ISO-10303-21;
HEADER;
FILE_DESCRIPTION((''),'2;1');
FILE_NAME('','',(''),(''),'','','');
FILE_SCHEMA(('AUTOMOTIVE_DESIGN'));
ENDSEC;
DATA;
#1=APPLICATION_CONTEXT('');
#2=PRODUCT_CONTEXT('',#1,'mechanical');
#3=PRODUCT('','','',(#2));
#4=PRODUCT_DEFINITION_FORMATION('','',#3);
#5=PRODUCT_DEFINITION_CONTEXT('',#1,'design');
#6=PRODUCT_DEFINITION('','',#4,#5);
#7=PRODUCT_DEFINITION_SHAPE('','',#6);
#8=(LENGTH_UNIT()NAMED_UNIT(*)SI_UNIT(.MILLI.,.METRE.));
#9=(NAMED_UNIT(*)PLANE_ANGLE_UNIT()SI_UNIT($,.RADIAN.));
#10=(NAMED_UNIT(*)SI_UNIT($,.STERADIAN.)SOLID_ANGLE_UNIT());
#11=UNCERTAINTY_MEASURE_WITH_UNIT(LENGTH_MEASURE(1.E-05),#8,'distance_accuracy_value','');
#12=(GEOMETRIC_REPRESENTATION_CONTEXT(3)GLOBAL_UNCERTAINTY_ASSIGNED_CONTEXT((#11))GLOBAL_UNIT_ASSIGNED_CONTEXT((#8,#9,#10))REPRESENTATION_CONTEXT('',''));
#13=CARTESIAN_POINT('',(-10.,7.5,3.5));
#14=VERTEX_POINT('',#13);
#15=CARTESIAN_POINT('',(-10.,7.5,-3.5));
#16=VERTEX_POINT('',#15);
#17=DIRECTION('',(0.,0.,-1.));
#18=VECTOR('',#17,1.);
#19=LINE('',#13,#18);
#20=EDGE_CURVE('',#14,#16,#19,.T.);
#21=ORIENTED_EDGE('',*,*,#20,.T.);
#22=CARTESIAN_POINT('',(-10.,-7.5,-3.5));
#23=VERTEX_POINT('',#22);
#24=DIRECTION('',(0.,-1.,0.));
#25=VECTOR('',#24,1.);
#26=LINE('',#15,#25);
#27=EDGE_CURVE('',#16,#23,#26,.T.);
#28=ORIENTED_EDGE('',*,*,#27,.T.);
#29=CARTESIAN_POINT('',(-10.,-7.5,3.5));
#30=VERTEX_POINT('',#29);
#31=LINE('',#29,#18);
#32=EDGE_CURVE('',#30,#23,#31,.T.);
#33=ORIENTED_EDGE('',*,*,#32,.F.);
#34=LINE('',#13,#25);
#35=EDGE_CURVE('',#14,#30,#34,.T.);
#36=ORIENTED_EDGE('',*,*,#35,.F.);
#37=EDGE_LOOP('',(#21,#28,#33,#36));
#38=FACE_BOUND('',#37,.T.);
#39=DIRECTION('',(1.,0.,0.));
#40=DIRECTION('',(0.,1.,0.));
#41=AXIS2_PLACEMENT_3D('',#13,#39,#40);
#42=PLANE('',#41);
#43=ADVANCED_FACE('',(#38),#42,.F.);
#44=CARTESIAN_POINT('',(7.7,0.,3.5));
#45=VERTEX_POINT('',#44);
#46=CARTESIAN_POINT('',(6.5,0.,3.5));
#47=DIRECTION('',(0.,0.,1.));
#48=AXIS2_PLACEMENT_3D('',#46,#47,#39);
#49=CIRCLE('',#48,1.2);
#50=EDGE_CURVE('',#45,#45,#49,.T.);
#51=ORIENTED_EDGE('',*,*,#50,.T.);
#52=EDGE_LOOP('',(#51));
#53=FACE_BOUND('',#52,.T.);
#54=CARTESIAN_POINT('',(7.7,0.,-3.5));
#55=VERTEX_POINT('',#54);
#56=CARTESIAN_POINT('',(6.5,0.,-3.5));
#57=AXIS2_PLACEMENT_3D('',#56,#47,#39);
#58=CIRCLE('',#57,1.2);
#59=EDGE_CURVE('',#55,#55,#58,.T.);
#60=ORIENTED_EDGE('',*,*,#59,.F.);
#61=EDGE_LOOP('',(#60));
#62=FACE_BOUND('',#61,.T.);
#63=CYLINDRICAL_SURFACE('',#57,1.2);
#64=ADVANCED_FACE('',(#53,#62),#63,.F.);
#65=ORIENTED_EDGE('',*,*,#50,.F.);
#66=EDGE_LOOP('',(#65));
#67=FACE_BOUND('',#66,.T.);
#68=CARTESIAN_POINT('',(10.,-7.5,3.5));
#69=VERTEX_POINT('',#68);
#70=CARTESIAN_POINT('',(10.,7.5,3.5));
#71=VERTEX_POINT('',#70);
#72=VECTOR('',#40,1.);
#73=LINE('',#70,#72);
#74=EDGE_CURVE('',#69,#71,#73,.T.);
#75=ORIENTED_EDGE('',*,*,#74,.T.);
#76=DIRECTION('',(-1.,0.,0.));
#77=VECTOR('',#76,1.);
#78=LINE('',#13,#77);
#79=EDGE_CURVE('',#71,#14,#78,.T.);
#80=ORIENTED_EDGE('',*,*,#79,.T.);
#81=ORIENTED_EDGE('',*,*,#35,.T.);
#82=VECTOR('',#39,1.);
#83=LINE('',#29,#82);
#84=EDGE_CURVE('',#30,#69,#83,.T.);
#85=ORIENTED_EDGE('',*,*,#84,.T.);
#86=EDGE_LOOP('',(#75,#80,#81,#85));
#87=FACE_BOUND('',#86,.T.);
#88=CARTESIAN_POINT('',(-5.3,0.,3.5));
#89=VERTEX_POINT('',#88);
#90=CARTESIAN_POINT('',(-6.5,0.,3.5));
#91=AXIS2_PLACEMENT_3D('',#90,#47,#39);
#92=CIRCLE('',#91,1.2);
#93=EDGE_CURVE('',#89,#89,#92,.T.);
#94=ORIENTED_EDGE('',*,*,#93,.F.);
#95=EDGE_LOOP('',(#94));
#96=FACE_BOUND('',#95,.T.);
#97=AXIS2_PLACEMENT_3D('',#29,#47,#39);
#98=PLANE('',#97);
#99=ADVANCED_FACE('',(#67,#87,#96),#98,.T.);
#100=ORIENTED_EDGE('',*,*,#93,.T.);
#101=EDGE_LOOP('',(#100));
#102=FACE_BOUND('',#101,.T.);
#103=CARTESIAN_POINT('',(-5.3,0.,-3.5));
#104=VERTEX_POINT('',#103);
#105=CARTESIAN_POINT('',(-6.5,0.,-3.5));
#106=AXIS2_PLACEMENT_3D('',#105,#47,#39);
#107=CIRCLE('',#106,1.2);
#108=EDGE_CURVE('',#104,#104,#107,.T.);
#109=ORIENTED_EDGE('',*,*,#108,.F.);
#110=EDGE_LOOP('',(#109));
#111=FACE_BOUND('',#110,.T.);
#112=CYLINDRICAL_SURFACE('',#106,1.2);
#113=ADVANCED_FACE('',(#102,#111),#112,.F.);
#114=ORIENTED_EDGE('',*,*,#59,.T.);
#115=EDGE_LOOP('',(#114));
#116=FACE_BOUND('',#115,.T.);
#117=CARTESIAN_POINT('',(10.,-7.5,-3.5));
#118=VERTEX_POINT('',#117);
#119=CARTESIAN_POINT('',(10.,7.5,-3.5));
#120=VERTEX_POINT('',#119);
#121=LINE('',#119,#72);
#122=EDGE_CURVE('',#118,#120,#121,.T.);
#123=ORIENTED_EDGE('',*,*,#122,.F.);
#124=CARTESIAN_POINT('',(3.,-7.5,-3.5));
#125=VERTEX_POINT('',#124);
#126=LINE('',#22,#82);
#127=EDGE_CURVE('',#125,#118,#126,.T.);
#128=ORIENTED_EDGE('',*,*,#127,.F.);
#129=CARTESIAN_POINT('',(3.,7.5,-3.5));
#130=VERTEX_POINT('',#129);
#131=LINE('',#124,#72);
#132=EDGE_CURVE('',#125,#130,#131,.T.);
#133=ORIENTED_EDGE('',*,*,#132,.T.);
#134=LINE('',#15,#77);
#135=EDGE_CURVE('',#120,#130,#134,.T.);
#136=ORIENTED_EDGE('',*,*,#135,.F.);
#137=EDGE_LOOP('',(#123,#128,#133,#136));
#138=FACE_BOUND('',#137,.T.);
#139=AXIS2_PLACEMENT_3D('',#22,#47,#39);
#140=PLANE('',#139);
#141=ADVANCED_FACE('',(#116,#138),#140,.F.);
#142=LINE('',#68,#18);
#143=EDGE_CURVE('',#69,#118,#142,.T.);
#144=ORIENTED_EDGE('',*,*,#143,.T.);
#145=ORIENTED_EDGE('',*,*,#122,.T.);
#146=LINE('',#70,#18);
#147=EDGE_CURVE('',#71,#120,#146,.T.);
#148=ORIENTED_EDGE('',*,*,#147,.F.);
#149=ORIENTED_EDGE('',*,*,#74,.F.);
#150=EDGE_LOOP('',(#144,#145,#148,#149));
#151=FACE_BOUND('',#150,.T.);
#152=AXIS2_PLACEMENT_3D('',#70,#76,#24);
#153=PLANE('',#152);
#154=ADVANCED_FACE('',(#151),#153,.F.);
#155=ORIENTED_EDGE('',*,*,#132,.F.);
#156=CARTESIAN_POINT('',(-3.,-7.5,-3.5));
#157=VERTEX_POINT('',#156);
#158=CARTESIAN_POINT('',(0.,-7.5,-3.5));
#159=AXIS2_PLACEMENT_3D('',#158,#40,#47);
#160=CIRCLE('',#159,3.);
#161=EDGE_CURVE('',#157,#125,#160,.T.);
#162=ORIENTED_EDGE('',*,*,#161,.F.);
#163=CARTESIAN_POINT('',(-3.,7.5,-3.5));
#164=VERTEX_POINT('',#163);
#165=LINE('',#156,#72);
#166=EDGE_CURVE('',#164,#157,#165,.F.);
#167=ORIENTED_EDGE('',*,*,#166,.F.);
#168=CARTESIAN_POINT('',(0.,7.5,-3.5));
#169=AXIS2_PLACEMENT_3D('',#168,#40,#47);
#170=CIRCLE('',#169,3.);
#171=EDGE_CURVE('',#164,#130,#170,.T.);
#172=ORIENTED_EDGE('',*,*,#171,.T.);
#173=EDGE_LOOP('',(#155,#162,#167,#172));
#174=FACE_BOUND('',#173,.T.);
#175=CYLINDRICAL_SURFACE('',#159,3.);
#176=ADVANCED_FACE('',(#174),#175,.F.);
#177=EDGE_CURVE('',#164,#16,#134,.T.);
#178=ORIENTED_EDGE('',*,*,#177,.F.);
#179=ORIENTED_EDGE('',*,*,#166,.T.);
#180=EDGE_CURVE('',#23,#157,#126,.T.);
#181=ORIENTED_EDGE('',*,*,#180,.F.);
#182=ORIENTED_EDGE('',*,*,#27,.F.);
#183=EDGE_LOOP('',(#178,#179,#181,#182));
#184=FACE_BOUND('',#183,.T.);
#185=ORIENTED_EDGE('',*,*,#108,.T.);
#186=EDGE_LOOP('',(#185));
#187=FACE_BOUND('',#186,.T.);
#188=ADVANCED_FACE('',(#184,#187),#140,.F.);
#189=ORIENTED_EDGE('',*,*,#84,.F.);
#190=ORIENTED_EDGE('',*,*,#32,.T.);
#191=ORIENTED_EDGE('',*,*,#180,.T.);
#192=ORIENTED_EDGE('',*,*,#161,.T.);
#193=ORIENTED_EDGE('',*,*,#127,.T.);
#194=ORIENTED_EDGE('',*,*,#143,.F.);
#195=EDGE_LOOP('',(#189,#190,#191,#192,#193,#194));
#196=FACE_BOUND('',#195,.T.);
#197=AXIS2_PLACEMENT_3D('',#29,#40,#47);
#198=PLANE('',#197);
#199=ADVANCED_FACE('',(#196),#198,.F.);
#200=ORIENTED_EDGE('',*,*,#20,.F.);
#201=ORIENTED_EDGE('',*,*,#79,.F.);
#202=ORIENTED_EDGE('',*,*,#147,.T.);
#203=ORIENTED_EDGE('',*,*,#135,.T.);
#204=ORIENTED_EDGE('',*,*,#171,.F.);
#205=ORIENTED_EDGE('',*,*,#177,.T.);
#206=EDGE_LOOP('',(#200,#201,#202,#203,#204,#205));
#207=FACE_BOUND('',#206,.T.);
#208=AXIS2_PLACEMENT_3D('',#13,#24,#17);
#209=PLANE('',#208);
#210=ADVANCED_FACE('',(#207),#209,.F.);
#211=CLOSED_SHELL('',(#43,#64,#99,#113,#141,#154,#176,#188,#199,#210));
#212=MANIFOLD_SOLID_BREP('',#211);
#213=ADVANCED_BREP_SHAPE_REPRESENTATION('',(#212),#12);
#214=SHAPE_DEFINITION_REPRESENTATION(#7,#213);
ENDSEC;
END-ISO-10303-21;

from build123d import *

# Parameters (mm, degrees)
SKETCH1_W          = 20
SKETCH1_H          = 15
EXTRUDE1_DEPTH     = 3.5
SKETCH2_R          = 3
CUT_EXTRUDE1_DEPTH = 16
SKETCH3_R          = 1.2
CUT_EXTRUDE2_DEPTH = 8


with BuildPart() as part:
    # Sketch1 → Extrude1 (new body, symmetric)
    with BuildSketch(Plane.XY):
        Rectangle(SKETCH1_W, SKETCH1_H)
    extrude(amount=EXTRUDE1_DEPTH, both=True)

    # Sketch2 → Cut-Extrude1 (cut, through all)
    with BuildSketch(Plane(origin=(0, 7.5, 0), x_dir=(-1, 0, 0), z_dir=(0, 1, 0))):
        with Locations((0, -3.5)):
            Circle(SKETCH2_R)
    extrude(amount=-CUT_EXTRUDE1_DEPTH, mode=Mode.SUBTRACT)

    # Sketch3 → Cut-Extrude2 (cut, through all)
    with BuildSketch(Plane.XY.offset(3.5)):
        with Locations((-6.5, 0)):
            Circle(SKETCH3_R)
        with Locations((6.5, 0)):
            Circle(SKETCH3_R)
    extrude(amount=-CUT_EXTRUDE2_DEPTH, mode=Mode.SUBTRACT)


solid = part.part
